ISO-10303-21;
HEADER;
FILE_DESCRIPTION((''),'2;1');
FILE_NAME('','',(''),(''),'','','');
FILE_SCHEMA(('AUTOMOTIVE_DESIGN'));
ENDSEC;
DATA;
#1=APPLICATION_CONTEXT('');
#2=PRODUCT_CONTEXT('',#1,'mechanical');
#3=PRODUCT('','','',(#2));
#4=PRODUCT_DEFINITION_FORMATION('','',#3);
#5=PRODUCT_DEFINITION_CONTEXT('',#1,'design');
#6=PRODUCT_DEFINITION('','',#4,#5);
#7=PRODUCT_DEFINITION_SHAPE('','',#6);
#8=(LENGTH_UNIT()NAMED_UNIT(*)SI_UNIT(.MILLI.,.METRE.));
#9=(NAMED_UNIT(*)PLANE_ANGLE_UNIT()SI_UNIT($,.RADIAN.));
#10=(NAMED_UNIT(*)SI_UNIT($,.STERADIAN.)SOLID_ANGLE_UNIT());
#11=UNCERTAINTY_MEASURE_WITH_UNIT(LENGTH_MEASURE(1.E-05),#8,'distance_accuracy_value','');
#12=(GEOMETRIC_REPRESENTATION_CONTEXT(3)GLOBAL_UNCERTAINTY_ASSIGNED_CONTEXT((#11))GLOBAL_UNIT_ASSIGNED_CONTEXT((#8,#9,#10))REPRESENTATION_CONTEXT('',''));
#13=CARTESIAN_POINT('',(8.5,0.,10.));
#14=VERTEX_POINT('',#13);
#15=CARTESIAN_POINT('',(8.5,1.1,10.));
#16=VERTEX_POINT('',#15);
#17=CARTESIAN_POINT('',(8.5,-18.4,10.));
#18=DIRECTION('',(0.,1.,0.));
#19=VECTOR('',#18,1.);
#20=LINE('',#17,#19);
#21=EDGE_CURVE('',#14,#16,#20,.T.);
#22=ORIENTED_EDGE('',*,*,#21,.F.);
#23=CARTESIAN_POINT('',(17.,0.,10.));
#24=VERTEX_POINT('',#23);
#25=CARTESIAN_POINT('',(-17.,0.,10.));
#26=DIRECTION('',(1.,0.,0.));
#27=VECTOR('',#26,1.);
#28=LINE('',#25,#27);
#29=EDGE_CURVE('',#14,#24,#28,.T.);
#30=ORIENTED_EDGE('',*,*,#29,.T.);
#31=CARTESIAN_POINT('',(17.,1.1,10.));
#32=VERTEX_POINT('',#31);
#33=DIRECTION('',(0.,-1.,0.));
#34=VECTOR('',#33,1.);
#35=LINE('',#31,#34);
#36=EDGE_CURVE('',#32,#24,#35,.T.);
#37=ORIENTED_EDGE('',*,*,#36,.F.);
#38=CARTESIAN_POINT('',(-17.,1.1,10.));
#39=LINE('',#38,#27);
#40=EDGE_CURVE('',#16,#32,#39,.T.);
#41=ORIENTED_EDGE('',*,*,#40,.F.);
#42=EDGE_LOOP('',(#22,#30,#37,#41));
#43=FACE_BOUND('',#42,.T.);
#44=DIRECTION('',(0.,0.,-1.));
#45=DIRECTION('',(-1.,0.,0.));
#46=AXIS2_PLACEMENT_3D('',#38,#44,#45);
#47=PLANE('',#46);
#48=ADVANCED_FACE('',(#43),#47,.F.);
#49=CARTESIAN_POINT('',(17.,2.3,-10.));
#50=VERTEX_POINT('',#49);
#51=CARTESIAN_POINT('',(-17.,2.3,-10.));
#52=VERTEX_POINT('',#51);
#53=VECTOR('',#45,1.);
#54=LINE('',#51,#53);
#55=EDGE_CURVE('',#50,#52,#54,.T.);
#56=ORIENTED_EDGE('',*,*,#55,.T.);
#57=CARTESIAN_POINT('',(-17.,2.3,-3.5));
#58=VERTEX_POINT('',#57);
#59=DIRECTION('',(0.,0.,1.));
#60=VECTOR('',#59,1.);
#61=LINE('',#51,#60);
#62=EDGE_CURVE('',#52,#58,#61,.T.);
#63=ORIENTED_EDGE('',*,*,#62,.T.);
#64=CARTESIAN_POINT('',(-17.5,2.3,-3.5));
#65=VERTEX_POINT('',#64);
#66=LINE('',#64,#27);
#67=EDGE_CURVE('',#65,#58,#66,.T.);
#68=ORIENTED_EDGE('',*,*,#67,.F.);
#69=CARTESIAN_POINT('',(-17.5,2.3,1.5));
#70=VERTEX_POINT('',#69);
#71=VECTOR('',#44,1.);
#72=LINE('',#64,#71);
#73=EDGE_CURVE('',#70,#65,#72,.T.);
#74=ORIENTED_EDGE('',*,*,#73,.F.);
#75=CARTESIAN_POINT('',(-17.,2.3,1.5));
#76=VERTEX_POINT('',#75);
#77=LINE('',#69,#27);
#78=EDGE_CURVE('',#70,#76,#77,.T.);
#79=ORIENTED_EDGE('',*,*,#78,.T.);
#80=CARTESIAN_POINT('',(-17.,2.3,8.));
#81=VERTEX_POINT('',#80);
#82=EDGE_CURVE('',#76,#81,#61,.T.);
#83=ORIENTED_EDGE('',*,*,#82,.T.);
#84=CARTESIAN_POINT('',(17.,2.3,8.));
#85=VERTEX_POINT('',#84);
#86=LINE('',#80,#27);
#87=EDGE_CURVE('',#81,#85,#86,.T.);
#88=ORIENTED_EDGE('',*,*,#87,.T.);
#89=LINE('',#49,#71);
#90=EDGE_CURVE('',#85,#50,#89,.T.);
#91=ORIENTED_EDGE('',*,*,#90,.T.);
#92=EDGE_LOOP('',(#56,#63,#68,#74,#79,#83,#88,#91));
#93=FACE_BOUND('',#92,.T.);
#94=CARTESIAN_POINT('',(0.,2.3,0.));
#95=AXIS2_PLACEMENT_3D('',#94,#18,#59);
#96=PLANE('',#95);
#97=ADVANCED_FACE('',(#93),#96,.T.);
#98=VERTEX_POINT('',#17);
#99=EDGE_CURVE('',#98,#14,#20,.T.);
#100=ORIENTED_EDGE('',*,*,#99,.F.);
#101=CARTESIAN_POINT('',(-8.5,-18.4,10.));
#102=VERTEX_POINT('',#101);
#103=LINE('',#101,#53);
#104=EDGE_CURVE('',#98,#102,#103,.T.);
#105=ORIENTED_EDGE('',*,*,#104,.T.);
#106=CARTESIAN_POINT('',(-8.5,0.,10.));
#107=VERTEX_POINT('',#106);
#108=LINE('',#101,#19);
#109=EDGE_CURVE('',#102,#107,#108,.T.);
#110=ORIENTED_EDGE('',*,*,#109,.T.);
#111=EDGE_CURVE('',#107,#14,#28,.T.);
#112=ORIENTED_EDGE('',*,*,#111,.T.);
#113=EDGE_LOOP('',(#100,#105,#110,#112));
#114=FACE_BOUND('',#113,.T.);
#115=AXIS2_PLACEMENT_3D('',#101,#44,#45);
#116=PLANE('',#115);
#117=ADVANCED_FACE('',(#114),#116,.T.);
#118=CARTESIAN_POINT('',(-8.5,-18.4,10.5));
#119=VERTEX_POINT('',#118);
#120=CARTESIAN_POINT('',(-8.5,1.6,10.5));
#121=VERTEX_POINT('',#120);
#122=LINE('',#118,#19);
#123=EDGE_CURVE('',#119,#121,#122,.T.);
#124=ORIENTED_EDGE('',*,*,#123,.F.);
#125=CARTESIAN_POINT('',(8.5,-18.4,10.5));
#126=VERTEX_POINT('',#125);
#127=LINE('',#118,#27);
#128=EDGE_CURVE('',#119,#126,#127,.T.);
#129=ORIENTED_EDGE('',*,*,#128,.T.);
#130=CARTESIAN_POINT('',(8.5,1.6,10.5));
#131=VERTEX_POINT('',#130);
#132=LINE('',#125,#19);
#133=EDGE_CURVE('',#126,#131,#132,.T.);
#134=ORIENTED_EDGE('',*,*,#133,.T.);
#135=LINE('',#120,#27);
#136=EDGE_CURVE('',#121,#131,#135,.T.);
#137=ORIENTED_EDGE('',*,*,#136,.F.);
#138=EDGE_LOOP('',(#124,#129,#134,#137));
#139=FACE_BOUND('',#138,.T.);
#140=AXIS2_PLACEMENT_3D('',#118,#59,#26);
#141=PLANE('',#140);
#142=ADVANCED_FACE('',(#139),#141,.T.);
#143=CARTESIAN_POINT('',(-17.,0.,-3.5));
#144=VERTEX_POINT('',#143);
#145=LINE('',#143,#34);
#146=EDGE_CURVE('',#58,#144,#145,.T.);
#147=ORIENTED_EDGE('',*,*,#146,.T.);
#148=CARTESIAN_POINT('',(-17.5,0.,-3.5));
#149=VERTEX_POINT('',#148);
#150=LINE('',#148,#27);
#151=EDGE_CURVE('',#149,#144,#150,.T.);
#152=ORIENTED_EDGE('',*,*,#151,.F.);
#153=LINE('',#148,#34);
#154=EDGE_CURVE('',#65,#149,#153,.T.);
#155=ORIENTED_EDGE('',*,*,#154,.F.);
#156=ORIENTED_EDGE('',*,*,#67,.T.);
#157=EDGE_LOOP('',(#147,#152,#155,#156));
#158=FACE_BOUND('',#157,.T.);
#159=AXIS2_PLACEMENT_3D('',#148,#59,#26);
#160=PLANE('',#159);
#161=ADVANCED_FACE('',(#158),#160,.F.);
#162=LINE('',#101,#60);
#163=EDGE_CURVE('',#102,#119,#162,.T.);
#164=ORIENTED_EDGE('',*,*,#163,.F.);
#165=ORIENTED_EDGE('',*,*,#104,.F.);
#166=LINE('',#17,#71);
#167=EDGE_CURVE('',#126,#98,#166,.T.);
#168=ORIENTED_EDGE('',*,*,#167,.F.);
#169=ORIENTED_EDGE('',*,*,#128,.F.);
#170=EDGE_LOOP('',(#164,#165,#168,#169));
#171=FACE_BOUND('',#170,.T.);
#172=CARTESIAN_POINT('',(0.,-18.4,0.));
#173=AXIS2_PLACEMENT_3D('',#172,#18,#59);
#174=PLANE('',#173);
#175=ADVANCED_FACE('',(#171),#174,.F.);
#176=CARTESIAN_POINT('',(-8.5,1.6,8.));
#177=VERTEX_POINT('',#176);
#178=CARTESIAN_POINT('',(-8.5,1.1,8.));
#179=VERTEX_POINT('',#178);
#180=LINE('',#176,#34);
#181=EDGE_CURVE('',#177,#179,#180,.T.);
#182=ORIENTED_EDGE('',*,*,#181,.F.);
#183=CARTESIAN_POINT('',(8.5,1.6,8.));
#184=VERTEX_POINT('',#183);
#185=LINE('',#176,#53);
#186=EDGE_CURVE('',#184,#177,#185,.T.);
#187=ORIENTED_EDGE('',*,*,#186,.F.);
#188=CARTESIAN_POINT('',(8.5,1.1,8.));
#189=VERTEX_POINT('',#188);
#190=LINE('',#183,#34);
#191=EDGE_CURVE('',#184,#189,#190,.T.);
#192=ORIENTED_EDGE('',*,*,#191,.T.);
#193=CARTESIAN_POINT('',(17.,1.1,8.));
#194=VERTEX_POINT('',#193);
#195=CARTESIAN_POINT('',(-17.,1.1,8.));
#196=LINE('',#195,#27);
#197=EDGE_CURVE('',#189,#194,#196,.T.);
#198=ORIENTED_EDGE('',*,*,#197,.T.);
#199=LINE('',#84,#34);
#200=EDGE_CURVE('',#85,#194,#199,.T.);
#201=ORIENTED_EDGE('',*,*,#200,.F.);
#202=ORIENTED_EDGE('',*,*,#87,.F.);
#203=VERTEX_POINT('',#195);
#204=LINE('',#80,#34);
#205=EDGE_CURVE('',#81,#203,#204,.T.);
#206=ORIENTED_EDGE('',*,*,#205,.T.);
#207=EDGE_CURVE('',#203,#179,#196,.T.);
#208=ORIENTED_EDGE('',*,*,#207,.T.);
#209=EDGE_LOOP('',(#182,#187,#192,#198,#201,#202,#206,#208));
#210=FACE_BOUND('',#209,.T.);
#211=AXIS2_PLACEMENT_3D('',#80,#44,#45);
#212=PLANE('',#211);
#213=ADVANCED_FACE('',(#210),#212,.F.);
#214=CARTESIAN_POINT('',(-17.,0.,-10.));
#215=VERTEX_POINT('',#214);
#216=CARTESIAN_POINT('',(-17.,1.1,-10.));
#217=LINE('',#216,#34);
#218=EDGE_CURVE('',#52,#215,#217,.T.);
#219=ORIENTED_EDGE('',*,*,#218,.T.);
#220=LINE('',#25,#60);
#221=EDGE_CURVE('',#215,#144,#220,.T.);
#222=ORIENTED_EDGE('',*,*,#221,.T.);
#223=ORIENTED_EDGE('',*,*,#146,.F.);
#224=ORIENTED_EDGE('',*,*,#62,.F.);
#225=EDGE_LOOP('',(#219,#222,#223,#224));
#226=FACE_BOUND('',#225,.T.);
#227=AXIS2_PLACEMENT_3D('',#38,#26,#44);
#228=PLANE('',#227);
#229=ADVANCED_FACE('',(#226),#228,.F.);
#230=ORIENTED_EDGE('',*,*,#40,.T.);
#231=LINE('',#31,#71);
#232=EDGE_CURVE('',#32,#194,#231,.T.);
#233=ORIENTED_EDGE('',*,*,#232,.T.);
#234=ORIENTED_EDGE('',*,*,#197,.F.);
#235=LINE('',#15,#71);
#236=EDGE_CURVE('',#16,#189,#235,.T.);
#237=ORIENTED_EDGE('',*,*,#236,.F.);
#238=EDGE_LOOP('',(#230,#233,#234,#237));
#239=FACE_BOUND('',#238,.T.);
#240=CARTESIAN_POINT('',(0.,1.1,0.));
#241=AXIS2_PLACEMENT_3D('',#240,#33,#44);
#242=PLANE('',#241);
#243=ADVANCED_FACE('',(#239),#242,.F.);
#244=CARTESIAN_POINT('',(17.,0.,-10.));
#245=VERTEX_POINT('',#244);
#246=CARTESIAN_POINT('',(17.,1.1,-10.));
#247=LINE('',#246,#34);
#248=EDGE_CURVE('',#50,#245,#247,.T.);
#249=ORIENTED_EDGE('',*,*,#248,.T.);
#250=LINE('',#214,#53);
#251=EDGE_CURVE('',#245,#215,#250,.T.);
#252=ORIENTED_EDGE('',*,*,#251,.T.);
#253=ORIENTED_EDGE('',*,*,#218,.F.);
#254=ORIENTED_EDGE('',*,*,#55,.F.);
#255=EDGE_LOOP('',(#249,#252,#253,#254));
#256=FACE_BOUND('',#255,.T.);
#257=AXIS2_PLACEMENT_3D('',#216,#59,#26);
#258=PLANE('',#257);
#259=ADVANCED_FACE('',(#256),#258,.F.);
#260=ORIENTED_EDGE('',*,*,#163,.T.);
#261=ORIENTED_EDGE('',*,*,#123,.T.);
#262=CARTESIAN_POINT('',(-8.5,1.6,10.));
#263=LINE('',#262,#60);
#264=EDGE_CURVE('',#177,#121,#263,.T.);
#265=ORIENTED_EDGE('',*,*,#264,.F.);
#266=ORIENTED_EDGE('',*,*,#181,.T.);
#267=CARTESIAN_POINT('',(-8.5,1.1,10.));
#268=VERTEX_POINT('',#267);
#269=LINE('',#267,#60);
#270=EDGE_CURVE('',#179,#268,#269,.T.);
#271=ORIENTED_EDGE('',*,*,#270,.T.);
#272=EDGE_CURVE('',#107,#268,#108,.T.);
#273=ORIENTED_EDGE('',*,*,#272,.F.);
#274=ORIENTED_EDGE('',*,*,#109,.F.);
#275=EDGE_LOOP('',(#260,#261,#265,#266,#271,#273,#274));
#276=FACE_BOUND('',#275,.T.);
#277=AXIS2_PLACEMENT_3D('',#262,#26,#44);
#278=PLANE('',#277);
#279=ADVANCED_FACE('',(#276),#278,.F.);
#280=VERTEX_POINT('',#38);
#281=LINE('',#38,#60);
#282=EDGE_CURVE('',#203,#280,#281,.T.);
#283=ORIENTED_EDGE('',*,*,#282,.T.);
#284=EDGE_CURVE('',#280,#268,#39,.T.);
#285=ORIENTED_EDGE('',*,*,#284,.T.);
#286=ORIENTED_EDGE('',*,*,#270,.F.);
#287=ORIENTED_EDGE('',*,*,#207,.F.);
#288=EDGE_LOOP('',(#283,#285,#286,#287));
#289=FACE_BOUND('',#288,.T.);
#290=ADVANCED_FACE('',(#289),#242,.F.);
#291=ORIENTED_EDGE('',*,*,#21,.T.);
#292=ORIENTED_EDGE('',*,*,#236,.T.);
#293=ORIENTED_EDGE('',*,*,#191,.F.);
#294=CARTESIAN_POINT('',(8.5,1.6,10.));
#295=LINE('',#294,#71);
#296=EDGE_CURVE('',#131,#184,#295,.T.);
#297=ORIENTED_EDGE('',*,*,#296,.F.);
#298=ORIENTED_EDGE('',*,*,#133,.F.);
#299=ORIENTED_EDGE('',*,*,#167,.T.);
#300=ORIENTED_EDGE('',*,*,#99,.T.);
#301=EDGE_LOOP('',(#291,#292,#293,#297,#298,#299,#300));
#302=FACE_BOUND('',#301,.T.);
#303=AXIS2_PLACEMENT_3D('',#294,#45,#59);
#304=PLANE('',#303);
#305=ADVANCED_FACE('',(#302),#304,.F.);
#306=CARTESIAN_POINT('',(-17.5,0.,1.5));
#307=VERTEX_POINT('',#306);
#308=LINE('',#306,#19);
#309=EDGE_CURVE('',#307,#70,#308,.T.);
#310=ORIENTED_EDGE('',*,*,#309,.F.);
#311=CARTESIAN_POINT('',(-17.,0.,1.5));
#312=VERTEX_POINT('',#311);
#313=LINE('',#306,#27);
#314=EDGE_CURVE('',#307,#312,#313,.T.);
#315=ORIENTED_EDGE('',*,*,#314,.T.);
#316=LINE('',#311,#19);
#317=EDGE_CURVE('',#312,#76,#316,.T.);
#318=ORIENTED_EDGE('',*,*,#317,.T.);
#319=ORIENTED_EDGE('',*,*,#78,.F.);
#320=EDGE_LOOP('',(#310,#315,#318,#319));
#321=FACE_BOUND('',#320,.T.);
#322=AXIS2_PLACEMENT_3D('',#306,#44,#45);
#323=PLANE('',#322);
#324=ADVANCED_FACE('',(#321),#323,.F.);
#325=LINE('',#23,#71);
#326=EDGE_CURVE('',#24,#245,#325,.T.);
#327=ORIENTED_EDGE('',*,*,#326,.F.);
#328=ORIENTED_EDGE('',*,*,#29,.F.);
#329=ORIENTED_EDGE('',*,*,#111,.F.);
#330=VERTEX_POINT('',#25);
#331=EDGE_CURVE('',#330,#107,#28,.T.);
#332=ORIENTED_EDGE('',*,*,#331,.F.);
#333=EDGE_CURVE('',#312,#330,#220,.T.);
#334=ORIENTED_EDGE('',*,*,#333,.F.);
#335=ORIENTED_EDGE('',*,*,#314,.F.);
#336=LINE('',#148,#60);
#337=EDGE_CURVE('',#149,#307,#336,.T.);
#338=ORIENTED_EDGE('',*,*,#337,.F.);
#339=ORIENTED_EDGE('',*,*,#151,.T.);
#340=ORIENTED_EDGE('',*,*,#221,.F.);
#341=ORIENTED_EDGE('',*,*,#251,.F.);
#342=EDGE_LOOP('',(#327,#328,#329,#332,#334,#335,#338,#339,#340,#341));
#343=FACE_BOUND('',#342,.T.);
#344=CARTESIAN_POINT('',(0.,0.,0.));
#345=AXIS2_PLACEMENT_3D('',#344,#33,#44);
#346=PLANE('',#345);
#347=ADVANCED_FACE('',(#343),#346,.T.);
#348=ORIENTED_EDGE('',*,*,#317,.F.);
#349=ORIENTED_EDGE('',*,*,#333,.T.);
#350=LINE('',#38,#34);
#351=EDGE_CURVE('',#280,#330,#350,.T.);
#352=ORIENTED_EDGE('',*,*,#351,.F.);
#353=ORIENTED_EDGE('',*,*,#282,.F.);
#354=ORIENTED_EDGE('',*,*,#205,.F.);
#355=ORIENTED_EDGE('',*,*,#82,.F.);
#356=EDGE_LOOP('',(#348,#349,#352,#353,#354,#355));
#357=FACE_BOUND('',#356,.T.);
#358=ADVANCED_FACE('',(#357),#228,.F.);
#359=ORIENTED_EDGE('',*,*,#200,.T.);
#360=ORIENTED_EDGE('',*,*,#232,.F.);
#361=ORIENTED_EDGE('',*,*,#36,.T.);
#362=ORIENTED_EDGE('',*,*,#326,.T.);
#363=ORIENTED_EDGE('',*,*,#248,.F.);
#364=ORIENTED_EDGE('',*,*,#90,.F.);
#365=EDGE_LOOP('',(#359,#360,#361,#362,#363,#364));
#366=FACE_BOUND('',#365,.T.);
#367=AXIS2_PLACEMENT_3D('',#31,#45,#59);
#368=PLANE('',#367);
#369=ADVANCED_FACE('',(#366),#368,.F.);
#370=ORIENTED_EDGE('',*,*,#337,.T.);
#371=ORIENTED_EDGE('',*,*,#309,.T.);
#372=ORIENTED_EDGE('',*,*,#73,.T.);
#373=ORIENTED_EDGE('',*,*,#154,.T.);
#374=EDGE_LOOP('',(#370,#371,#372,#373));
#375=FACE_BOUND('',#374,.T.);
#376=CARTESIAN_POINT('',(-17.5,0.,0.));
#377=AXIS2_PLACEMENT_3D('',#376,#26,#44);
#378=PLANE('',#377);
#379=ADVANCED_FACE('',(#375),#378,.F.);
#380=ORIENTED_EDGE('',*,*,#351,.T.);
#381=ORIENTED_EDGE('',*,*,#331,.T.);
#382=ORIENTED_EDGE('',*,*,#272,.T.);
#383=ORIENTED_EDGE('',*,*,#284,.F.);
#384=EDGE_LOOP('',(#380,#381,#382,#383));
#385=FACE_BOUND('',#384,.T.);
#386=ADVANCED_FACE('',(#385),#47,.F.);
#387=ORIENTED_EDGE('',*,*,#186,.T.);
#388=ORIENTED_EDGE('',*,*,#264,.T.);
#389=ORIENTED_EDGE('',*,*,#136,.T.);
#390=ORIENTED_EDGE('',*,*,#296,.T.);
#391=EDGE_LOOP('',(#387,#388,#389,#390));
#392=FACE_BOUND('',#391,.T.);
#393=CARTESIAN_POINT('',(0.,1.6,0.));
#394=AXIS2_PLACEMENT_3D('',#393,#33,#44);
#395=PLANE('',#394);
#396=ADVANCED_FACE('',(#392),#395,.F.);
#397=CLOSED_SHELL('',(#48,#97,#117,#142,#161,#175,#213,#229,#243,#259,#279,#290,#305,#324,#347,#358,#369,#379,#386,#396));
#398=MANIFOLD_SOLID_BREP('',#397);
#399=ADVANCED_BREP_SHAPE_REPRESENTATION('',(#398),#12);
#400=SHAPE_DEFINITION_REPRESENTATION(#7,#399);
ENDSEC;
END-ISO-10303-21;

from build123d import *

# Parameters (mm, degrees)
SKETCH1_W           = 34
SKETCH1_H           = 20
BOSS_EXTRUDE1_DEPTH = 1.1
SKETCH3_W           = 34
SKETCH3_H           = 18
BOSS_EXTRUDE2_DEPTH = 1.2
SKETCH4_W           = 5
SKETCH4_H           = 2.3
BOSS_EXTRUDE3_DEPTH = 0.5
SKETCH5_W           = 17
SKETCH5_H           = 2
BOSS_EXTRUDE4_DEPTH = 0.5
SKETCH6_W           = 17
SKETCH6_H           = 0.5
BOSS_EXTRUDE5_DEPTH = 20


with BuildPart() as part:
    # Sketch1 → Boss-Extrude1 (new body)
    with BuildSketch(Plane(origin=(0, 0, 0), x_dir=(1, 0, 0), z_dir=(0, 1, 0))):
        Rectangle(SKETCH1_W, SKETCH1_H)
    extrude(amount=BOSS_EXTRUDE1_DEPTH)

    # Sketch3 → Boss-Extrude2 (add)
    with BuildSketch(Plane(origin=(0, 1.1, 0), x_dir=(1, 0, 0), z_dir=(0, 1, 0))):
        with Locations((0, 1)):
            Rectangle(SKETCH3_W, SKETCH3_H)
    extrude(amount=BOSS_EXTRUDE2_DEPTH)

    # Sketch4 → Boss-Extrude3 (add)
    with BuildSketch(Plane.ZY.offset(17)):
        with Locations((-1, 1.15)):
            Rectangle(SKETCH4_W, SKETCH4_H)
    extrude(amount=BOSS_EXTRUDE3_DEPTH)

    # Sketch5 → Boss-Extrude4 (add)
    with BuildSketch(Plane(origin=(0, 1.1, 0), x_dir=(1, 0, 0), z_dir=(0, 1, 0))):
        with Locations((0, -9)):
            Rectangle(SKETCH5_W, SKETCH5_H)
    extrude(amount=BOSS_EXTRUDE4_DEPTH)

    # Sketch6 → Boss-Extrude5 (add)
    with BuildSketch(Plane(origin=(0, 1.6, 0), x_dir=(1, 0, 0), z_dir=(0, 1, 0))):
        with Locations((0, -10.25)):
            Rectangle(SKETCH6_W, SKETCH6_H)
    extrude(amount=-BOSS_EXTRUDE5_DEPTH)


solid = part.part
